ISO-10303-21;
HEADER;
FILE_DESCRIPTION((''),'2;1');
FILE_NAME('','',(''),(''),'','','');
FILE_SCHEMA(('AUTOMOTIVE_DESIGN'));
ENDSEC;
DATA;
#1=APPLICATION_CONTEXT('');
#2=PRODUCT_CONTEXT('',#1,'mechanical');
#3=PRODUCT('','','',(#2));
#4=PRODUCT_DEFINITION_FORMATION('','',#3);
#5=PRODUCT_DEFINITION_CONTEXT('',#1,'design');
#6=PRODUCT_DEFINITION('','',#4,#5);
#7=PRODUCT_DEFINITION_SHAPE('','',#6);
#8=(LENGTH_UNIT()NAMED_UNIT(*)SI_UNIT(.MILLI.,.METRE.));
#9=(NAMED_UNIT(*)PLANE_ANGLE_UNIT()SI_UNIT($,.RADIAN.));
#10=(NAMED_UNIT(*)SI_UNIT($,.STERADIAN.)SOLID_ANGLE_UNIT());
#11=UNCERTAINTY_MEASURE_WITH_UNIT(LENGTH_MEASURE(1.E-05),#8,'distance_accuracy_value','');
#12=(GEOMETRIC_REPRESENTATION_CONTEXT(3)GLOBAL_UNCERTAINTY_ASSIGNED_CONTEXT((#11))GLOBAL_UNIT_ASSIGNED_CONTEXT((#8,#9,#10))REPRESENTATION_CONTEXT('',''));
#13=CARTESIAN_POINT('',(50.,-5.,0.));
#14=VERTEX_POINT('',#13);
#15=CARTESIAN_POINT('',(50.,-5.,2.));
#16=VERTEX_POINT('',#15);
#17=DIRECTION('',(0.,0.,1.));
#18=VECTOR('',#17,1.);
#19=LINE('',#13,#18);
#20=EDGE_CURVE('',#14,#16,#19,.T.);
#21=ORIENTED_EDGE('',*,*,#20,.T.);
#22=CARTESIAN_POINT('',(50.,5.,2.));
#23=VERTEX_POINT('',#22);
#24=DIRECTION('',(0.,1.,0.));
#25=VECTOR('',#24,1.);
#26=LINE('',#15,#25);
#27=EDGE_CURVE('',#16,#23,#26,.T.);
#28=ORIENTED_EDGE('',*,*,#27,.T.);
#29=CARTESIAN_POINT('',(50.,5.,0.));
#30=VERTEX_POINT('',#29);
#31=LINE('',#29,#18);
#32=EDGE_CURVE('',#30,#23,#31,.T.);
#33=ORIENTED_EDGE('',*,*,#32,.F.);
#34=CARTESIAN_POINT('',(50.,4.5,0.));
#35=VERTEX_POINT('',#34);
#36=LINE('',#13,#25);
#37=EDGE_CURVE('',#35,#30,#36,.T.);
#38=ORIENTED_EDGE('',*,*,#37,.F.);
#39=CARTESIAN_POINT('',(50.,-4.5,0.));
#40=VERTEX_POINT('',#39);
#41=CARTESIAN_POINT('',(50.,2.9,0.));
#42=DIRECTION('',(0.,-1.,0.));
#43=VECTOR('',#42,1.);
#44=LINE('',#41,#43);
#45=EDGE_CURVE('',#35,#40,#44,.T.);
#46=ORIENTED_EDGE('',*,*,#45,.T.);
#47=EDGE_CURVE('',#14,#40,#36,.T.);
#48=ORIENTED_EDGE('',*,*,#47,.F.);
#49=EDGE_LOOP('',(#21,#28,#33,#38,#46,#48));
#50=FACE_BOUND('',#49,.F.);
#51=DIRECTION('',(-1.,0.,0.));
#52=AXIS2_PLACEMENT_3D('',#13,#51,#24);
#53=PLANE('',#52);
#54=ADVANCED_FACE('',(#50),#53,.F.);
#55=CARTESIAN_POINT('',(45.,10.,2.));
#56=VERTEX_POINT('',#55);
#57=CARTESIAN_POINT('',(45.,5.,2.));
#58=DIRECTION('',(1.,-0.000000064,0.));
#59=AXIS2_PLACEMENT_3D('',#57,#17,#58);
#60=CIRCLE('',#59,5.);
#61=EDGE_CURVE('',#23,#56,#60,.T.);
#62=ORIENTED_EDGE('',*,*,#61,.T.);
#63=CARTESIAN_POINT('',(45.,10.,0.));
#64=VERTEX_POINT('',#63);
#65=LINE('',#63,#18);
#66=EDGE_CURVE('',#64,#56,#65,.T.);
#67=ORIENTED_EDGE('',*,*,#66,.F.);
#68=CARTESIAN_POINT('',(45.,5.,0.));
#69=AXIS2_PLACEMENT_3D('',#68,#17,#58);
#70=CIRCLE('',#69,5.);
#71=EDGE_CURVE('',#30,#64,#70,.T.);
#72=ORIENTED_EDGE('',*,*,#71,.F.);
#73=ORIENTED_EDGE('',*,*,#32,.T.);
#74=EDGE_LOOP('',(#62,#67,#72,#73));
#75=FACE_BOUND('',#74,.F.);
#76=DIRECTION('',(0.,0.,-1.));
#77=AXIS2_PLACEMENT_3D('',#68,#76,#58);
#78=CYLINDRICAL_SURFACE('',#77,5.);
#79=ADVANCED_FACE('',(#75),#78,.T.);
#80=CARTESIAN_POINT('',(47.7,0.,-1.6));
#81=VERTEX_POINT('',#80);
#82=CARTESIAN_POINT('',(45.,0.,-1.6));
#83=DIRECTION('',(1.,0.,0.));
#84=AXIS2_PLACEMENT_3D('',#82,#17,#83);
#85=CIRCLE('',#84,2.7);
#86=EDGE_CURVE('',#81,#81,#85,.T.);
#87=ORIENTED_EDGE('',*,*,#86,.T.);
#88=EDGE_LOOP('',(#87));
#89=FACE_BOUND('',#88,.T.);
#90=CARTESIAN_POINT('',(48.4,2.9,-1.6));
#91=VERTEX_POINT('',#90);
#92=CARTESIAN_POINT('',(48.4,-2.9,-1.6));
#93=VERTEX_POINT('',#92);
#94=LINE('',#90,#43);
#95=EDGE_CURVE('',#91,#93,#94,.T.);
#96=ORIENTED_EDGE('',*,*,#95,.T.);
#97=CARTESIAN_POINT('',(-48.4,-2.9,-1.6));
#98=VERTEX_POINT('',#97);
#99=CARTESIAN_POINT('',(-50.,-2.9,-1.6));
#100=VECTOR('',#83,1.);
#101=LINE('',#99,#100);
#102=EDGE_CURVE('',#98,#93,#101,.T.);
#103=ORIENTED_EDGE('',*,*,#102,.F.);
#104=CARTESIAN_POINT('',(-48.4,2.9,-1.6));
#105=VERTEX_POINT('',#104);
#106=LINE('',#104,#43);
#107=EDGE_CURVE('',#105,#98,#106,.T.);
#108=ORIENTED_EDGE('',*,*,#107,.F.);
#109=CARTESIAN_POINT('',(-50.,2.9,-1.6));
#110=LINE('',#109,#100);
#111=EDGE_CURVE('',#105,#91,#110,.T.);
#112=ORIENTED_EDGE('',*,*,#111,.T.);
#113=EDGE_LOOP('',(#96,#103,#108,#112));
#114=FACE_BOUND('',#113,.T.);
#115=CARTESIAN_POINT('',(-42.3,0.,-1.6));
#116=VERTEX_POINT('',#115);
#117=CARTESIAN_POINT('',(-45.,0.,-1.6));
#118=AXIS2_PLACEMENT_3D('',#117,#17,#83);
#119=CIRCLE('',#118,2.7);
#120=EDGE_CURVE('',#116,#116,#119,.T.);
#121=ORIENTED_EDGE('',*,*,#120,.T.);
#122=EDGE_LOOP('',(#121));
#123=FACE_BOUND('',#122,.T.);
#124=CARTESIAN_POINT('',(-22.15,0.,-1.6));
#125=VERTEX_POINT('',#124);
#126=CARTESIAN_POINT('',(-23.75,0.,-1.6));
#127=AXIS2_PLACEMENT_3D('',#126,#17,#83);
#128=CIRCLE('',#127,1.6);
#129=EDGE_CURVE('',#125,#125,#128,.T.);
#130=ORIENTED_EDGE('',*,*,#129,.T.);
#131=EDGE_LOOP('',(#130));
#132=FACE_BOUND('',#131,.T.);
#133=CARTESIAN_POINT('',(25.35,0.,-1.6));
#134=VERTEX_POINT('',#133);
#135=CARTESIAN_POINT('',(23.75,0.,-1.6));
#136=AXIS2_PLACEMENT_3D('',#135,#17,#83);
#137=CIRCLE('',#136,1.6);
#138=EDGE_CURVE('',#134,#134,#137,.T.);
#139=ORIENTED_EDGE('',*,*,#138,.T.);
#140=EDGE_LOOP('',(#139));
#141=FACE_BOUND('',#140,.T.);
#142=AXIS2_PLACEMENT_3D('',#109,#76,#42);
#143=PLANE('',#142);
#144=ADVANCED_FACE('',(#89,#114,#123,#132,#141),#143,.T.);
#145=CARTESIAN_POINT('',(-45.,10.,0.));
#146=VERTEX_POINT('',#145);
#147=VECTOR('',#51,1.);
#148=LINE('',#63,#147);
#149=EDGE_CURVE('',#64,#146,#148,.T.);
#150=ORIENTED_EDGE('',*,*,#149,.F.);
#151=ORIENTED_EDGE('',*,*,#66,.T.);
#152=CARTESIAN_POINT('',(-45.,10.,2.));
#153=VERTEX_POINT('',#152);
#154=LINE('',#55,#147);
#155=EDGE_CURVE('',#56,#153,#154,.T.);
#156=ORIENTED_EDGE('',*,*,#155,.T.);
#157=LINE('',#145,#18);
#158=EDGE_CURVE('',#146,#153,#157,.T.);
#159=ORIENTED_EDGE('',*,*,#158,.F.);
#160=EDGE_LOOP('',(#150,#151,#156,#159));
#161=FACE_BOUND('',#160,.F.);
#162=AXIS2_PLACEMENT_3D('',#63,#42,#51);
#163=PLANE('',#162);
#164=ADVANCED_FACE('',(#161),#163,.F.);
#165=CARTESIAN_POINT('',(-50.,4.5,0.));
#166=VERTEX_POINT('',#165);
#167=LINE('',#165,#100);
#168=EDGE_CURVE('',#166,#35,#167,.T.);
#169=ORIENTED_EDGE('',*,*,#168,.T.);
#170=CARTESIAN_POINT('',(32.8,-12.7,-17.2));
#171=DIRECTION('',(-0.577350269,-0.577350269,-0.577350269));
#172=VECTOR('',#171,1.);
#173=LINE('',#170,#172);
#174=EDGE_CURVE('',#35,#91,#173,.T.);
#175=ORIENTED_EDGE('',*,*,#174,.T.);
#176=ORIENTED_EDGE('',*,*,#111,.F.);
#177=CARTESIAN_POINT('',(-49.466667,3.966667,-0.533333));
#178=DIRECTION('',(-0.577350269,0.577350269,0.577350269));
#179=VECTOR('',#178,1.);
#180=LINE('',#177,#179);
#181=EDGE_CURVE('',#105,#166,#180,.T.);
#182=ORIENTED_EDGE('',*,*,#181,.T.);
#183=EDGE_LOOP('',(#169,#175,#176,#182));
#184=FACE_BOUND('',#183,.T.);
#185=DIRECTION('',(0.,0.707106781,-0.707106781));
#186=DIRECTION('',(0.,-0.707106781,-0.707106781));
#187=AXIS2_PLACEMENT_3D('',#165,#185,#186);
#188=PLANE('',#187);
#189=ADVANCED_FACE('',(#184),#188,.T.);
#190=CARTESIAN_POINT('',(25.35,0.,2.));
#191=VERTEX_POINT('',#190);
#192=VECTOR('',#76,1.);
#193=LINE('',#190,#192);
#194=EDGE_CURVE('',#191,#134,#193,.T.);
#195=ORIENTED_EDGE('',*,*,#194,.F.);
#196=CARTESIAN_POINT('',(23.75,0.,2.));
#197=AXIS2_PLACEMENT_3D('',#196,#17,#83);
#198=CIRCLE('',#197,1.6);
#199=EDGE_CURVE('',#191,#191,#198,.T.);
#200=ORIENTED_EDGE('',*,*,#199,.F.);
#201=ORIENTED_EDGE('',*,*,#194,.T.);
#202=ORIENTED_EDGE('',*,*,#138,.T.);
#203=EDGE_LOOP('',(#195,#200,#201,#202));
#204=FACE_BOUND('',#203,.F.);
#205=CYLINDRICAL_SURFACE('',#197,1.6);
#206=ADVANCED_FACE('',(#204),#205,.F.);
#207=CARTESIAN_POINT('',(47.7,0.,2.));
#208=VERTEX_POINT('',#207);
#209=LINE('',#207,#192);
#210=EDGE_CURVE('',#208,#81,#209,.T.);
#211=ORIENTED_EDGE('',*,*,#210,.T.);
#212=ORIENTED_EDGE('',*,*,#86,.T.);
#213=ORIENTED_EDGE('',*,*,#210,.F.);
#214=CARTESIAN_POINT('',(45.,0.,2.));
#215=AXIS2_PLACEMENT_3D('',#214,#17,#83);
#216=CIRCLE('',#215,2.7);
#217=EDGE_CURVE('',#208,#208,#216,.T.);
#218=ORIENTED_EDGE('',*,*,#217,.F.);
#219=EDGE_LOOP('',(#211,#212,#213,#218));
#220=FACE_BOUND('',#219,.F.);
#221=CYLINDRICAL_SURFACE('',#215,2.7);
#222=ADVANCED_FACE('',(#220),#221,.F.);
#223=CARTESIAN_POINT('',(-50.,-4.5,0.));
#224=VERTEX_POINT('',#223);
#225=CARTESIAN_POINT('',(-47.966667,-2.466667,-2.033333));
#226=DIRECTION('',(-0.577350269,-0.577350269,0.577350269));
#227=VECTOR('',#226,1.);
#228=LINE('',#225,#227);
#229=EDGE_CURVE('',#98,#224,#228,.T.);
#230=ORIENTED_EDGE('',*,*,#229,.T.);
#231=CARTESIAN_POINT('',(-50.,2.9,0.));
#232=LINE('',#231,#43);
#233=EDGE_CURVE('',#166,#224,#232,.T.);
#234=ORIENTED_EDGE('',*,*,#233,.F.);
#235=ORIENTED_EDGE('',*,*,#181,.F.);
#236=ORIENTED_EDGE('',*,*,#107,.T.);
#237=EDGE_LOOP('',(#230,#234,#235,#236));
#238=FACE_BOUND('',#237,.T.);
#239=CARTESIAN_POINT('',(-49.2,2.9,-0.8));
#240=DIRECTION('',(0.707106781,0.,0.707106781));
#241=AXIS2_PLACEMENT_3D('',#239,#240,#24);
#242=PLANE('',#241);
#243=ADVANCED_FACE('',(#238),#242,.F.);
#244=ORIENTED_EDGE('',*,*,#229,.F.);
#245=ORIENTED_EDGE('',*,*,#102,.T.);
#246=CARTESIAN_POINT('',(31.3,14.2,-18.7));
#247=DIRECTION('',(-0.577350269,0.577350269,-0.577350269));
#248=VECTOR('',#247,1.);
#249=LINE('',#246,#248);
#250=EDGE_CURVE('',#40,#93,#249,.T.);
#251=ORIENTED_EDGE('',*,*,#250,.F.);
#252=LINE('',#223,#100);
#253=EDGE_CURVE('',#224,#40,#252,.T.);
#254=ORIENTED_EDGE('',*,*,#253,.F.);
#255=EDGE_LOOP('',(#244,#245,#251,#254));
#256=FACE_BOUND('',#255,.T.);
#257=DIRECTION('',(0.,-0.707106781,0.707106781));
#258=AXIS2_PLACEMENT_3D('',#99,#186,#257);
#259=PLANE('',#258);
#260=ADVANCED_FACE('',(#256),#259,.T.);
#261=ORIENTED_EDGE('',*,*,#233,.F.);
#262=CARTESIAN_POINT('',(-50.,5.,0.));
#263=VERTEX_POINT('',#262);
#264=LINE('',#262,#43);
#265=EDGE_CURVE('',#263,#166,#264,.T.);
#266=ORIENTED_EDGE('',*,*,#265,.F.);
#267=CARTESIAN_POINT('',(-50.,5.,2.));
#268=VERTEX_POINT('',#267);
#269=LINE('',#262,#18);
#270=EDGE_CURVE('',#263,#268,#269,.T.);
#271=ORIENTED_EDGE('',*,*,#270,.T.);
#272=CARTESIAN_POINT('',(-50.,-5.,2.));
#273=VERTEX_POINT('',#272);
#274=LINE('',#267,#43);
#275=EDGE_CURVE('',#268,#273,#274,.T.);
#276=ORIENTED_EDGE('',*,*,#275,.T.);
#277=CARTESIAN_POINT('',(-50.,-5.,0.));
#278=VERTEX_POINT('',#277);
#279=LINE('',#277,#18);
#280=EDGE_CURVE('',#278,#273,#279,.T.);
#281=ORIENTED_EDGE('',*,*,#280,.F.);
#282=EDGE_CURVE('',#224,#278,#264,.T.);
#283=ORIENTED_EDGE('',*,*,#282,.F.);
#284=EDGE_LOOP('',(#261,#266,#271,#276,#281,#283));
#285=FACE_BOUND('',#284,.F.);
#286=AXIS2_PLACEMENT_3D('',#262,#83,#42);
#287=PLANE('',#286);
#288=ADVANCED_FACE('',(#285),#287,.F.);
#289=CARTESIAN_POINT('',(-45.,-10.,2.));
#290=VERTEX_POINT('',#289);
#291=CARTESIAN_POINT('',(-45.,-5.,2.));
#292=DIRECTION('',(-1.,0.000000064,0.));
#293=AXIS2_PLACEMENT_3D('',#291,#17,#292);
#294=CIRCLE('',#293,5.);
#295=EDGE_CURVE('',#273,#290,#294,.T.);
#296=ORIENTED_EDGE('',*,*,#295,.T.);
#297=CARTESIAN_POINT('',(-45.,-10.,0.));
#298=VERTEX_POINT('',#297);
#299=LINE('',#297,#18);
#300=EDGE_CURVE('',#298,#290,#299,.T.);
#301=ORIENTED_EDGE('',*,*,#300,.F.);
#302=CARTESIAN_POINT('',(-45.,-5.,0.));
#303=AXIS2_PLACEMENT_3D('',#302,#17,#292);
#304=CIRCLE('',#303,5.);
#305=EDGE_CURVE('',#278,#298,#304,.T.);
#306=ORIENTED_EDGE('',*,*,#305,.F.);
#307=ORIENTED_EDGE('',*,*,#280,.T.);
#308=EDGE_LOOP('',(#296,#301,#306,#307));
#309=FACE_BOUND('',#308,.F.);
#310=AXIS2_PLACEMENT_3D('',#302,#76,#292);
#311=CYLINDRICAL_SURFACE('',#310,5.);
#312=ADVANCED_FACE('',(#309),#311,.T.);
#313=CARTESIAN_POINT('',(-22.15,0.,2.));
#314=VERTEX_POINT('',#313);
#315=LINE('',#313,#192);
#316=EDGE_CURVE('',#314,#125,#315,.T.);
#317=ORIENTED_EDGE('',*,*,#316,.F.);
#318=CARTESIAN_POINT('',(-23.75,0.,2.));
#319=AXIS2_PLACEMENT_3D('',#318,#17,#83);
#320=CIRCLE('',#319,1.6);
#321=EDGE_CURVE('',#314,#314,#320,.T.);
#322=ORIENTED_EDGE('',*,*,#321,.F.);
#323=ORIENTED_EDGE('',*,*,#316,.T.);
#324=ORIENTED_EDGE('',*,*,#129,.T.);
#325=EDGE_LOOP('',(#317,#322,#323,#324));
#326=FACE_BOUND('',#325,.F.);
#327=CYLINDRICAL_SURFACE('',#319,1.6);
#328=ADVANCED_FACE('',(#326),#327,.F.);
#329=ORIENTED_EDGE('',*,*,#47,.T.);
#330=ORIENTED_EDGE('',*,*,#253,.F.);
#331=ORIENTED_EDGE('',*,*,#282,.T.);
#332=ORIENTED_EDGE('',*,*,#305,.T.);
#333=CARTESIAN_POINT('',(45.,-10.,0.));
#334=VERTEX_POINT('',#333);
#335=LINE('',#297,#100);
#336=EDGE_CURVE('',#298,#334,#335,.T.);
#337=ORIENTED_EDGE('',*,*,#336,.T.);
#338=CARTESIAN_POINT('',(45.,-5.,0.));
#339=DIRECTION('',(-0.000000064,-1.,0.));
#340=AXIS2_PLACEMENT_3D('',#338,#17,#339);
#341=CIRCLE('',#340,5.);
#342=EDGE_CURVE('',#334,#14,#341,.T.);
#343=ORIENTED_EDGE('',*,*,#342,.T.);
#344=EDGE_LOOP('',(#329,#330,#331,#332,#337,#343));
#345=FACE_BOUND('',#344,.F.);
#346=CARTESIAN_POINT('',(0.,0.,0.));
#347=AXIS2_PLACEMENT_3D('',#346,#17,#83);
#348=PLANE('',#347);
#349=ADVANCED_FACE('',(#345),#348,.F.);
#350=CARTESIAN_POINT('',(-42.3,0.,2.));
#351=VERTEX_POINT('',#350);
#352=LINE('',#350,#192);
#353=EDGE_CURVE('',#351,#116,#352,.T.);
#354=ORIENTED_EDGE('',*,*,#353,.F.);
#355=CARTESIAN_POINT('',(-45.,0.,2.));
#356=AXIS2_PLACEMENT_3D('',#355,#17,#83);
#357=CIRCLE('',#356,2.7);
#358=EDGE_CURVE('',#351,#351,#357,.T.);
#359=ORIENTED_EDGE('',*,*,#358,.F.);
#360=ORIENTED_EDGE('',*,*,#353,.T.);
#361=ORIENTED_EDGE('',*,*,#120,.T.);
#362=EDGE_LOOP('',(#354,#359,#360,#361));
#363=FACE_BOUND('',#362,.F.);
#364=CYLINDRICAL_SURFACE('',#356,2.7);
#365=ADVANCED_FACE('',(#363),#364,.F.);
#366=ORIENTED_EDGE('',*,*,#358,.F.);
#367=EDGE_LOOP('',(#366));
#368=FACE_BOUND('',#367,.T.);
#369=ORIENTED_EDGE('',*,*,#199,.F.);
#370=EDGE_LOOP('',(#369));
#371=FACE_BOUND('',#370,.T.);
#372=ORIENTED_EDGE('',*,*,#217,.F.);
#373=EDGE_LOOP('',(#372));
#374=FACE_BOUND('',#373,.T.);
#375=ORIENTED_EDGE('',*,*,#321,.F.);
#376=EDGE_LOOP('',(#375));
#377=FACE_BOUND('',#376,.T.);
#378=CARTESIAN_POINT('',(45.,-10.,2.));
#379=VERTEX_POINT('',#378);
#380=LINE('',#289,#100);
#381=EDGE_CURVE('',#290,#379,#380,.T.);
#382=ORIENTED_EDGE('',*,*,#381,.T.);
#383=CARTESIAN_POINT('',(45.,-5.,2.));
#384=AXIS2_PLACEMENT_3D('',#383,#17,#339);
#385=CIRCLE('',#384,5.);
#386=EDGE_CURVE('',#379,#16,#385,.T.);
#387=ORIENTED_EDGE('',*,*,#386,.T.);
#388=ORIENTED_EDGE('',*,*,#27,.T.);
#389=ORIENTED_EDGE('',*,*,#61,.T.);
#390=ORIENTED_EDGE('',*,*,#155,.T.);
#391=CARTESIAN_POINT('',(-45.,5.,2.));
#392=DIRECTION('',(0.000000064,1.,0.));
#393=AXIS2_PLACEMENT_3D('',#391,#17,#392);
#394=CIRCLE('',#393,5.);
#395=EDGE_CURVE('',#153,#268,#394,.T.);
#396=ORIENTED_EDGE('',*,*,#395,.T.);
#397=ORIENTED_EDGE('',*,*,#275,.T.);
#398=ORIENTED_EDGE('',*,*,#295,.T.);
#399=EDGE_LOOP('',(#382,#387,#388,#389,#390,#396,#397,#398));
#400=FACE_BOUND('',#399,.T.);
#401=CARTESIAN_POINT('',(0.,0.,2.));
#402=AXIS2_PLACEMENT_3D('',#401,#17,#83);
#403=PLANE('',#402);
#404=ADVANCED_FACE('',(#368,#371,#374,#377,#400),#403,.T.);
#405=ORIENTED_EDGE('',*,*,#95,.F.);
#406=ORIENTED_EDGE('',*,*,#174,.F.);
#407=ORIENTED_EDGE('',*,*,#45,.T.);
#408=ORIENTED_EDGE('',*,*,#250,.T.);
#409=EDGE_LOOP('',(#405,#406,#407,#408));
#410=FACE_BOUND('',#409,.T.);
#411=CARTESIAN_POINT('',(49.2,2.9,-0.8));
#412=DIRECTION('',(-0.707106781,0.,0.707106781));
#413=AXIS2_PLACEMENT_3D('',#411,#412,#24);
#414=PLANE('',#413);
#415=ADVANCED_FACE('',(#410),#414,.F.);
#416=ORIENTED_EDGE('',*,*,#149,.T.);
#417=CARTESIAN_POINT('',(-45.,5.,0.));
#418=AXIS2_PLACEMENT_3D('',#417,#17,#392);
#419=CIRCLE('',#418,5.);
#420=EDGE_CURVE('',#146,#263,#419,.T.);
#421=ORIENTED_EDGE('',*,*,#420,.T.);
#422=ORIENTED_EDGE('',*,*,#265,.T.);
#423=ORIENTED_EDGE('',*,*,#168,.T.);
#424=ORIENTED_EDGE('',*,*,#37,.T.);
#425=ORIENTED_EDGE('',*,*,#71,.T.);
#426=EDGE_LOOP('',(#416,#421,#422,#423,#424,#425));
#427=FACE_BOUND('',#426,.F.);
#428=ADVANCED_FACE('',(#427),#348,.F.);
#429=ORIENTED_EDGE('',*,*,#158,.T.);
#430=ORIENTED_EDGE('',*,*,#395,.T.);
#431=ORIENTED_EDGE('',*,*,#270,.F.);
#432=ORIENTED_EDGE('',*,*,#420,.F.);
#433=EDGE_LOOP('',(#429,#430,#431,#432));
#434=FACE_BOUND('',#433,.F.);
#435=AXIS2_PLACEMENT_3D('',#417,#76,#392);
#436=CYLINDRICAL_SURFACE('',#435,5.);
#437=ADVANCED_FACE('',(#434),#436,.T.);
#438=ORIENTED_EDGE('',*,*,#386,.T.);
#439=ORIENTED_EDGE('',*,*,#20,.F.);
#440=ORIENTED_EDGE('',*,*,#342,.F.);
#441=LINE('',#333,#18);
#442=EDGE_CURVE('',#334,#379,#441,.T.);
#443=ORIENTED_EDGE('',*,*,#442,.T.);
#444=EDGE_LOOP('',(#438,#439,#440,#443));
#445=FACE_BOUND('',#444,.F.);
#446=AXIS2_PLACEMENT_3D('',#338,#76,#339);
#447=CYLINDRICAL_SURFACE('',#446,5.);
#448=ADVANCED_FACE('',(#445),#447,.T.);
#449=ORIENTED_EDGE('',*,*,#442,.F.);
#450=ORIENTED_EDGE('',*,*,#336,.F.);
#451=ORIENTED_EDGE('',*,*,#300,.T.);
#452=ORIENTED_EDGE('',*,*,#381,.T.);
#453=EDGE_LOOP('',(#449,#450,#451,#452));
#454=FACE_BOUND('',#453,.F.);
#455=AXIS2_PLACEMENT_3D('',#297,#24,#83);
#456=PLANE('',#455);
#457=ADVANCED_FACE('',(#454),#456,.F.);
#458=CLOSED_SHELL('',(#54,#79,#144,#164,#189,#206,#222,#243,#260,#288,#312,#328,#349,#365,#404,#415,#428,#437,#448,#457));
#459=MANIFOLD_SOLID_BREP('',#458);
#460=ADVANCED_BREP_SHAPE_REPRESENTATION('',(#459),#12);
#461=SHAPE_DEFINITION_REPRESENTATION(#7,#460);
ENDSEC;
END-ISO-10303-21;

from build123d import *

# Parameters (mm, degrees)
F1_DEPTH = 2
F3_DEPTH = 100
F4_R     = 2.7
F4_R_2   = 1.6
F5_DEPTH = 3.601
F6_SIZE  = 1.6


with BuildPart() as f1:
    # F0 (on Top) → F1 (new body)
    with BuildSketch(Plane.XY):
        with BuildLine():
            ThreePointArc((50, 5), (48.535534, 8.535534), (45, 10))
            Line((45, 10), (-45, 10))
            ThreePointArc((-45, 10), (-48.535534, 8.535534), (-50, 5))
            Line((-50, 5), (-50, -5))
            ThreePointArc((-50, -5), (-48.535534, -8.535534), (-45, -10))
            Line((-45, -10), (45, -10))
            ThreePointArc((45, -10), (48.535534, -8.535534), (50, -5))
            Line((50, -5), (50, 5))
        make_face()
    extrude(amount=F1_DEPTH)

    # F2 (on face) → F3 (join, through all)
    with BuildSketch(Plane(origin=(-50, 0, 0), x_dir=(0, -1, 0), z_dir=(-1, 0, 0))):
        Polygon((-4.5, 0), (-2.9, -1.6), (2.9, -1.6), (4.5, 0), align=None)
    extrude(amount=-F3_DEPTH)

    # F4 (on face) → F5 (cut, through all)
    with BuildSketch(Plane.XY.offset(2)):
        with Locations((-45, 0)):
            Circle(F4_R)
        with Locations((45, 0)):
            Circle(F4_R)
        with Locations((23.75, 0)):
            Circle(F4_R_2)
        with Locations((-23.75, 0)):
            Circle(F4_R_2)
    extrude(amount=-F5_DEPTH, mode=Mode.SUBTRACT)

    # F6
    f6_edges = [f1.edges().sort_by_distance(p)[0] for p in [
        (-50, 0, -1.6),
        (50, 0, -1.6),
    ]]
    chamfer(f6_edges, length=F6_SIZE)


solid = f1.part
